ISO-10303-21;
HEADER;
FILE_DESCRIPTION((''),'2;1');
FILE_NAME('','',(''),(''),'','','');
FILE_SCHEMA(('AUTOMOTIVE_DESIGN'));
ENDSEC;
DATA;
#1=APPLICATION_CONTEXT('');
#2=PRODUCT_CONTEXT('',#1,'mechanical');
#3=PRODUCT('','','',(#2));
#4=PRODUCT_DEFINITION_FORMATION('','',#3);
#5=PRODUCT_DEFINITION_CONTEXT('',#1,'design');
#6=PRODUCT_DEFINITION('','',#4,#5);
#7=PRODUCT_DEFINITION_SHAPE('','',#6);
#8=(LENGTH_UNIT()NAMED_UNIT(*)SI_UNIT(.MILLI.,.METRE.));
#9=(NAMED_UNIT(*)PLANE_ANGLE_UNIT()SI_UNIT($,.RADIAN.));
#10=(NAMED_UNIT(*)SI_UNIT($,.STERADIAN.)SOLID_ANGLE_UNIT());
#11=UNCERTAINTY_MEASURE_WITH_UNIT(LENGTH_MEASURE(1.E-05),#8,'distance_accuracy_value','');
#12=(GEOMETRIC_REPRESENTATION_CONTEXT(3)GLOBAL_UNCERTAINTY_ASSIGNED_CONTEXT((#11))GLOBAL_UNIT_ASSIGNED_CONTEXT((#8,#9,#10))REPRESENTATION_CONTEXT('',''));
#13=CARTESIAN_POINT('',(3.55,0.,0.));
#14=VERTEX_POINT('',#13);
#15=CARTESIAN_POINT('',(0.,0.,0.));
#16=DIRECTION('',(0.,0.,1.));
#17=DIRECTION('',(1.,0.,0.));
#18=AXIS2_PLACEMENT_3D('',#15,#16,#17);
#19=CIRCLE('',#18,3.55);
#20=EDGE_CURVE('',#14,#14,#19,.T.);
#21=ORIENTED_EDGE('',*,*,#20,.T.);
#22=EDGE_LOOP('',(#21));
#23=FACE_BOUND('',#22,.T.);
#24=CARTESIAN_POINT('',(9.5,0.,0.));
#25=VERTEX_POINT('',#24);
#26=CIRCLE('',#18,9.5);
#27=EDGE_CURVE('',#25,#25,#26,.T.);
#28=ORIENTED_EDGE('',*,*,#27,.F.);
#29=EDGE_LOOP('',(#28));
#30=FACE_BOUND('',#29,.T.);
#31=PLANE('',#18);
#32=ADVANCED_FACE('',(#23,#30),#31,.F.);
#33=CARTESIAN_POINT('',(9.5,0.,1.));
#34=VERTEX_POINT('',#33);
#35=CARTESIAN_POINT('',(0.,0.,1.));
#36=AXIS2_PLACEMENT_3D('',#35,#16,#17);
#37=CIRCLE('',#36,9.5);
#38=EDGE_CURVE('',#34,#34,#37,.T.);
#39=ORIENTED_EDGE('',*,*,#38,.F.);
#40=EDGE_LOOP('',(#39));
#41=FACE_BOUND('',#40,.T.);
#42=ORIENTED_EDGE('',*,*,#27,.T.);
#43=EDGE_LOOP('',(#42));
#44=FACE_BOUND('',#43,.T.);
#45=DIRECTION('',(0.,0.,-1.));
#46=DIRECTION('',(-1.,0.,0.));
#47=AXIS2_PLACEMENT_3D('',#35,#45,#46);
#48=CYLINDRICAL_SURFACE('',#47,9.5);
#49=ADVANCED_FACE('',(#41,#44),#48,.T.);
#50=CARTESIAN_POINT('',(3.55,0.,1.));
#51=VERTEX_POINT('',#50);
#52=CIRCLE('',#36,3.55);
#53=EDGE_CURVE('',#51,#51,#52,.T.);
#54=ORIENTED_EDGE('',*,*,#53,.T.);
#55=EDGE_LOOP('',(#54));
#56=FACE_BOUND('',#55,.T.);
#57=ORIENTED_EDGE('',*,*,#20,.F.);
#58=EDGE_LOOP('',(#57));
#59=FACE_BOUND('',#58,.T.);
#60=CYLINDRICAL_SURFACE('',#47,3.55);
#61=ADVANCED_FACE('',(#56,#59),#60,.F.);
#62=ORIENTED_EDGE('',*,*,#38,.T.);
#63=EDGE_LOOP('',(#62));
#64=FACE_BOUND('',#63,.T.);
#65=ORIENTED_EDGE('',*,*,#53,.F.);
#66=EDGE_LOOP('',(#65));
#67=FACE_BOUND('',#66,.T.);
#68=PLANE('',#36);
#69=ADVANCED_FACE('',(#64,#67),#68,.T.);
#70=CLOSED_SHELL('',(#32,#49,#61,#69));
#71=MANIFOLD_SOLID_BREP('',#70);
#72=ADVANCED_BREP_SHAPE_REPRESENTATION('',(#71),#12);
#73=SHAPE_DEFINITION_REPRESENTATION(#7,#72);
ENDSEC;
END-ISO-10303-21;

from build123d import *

# Parameters (mm, degrees)
SKIZZE1_R                       = 9.5
SKIZZE1_R_2                     = 3.55
AUFSATZ_LINEAR_AUSTRAGEN1_DEPTH = 1


with BuildPart() as part:
    # Skizze1 → Aufsatz-Linear austragen1 (new body)
    with BuildSketch(Plane.XY):
        Circle(SKIZZE1_R)
        Circle(SKIZZE1_R_2, mode=Mode.SUBTRACT)
    extrude(amount=AUFSATZ_LINEAR_AUSTRAGEN1_DEPTH)


solid = part.part
